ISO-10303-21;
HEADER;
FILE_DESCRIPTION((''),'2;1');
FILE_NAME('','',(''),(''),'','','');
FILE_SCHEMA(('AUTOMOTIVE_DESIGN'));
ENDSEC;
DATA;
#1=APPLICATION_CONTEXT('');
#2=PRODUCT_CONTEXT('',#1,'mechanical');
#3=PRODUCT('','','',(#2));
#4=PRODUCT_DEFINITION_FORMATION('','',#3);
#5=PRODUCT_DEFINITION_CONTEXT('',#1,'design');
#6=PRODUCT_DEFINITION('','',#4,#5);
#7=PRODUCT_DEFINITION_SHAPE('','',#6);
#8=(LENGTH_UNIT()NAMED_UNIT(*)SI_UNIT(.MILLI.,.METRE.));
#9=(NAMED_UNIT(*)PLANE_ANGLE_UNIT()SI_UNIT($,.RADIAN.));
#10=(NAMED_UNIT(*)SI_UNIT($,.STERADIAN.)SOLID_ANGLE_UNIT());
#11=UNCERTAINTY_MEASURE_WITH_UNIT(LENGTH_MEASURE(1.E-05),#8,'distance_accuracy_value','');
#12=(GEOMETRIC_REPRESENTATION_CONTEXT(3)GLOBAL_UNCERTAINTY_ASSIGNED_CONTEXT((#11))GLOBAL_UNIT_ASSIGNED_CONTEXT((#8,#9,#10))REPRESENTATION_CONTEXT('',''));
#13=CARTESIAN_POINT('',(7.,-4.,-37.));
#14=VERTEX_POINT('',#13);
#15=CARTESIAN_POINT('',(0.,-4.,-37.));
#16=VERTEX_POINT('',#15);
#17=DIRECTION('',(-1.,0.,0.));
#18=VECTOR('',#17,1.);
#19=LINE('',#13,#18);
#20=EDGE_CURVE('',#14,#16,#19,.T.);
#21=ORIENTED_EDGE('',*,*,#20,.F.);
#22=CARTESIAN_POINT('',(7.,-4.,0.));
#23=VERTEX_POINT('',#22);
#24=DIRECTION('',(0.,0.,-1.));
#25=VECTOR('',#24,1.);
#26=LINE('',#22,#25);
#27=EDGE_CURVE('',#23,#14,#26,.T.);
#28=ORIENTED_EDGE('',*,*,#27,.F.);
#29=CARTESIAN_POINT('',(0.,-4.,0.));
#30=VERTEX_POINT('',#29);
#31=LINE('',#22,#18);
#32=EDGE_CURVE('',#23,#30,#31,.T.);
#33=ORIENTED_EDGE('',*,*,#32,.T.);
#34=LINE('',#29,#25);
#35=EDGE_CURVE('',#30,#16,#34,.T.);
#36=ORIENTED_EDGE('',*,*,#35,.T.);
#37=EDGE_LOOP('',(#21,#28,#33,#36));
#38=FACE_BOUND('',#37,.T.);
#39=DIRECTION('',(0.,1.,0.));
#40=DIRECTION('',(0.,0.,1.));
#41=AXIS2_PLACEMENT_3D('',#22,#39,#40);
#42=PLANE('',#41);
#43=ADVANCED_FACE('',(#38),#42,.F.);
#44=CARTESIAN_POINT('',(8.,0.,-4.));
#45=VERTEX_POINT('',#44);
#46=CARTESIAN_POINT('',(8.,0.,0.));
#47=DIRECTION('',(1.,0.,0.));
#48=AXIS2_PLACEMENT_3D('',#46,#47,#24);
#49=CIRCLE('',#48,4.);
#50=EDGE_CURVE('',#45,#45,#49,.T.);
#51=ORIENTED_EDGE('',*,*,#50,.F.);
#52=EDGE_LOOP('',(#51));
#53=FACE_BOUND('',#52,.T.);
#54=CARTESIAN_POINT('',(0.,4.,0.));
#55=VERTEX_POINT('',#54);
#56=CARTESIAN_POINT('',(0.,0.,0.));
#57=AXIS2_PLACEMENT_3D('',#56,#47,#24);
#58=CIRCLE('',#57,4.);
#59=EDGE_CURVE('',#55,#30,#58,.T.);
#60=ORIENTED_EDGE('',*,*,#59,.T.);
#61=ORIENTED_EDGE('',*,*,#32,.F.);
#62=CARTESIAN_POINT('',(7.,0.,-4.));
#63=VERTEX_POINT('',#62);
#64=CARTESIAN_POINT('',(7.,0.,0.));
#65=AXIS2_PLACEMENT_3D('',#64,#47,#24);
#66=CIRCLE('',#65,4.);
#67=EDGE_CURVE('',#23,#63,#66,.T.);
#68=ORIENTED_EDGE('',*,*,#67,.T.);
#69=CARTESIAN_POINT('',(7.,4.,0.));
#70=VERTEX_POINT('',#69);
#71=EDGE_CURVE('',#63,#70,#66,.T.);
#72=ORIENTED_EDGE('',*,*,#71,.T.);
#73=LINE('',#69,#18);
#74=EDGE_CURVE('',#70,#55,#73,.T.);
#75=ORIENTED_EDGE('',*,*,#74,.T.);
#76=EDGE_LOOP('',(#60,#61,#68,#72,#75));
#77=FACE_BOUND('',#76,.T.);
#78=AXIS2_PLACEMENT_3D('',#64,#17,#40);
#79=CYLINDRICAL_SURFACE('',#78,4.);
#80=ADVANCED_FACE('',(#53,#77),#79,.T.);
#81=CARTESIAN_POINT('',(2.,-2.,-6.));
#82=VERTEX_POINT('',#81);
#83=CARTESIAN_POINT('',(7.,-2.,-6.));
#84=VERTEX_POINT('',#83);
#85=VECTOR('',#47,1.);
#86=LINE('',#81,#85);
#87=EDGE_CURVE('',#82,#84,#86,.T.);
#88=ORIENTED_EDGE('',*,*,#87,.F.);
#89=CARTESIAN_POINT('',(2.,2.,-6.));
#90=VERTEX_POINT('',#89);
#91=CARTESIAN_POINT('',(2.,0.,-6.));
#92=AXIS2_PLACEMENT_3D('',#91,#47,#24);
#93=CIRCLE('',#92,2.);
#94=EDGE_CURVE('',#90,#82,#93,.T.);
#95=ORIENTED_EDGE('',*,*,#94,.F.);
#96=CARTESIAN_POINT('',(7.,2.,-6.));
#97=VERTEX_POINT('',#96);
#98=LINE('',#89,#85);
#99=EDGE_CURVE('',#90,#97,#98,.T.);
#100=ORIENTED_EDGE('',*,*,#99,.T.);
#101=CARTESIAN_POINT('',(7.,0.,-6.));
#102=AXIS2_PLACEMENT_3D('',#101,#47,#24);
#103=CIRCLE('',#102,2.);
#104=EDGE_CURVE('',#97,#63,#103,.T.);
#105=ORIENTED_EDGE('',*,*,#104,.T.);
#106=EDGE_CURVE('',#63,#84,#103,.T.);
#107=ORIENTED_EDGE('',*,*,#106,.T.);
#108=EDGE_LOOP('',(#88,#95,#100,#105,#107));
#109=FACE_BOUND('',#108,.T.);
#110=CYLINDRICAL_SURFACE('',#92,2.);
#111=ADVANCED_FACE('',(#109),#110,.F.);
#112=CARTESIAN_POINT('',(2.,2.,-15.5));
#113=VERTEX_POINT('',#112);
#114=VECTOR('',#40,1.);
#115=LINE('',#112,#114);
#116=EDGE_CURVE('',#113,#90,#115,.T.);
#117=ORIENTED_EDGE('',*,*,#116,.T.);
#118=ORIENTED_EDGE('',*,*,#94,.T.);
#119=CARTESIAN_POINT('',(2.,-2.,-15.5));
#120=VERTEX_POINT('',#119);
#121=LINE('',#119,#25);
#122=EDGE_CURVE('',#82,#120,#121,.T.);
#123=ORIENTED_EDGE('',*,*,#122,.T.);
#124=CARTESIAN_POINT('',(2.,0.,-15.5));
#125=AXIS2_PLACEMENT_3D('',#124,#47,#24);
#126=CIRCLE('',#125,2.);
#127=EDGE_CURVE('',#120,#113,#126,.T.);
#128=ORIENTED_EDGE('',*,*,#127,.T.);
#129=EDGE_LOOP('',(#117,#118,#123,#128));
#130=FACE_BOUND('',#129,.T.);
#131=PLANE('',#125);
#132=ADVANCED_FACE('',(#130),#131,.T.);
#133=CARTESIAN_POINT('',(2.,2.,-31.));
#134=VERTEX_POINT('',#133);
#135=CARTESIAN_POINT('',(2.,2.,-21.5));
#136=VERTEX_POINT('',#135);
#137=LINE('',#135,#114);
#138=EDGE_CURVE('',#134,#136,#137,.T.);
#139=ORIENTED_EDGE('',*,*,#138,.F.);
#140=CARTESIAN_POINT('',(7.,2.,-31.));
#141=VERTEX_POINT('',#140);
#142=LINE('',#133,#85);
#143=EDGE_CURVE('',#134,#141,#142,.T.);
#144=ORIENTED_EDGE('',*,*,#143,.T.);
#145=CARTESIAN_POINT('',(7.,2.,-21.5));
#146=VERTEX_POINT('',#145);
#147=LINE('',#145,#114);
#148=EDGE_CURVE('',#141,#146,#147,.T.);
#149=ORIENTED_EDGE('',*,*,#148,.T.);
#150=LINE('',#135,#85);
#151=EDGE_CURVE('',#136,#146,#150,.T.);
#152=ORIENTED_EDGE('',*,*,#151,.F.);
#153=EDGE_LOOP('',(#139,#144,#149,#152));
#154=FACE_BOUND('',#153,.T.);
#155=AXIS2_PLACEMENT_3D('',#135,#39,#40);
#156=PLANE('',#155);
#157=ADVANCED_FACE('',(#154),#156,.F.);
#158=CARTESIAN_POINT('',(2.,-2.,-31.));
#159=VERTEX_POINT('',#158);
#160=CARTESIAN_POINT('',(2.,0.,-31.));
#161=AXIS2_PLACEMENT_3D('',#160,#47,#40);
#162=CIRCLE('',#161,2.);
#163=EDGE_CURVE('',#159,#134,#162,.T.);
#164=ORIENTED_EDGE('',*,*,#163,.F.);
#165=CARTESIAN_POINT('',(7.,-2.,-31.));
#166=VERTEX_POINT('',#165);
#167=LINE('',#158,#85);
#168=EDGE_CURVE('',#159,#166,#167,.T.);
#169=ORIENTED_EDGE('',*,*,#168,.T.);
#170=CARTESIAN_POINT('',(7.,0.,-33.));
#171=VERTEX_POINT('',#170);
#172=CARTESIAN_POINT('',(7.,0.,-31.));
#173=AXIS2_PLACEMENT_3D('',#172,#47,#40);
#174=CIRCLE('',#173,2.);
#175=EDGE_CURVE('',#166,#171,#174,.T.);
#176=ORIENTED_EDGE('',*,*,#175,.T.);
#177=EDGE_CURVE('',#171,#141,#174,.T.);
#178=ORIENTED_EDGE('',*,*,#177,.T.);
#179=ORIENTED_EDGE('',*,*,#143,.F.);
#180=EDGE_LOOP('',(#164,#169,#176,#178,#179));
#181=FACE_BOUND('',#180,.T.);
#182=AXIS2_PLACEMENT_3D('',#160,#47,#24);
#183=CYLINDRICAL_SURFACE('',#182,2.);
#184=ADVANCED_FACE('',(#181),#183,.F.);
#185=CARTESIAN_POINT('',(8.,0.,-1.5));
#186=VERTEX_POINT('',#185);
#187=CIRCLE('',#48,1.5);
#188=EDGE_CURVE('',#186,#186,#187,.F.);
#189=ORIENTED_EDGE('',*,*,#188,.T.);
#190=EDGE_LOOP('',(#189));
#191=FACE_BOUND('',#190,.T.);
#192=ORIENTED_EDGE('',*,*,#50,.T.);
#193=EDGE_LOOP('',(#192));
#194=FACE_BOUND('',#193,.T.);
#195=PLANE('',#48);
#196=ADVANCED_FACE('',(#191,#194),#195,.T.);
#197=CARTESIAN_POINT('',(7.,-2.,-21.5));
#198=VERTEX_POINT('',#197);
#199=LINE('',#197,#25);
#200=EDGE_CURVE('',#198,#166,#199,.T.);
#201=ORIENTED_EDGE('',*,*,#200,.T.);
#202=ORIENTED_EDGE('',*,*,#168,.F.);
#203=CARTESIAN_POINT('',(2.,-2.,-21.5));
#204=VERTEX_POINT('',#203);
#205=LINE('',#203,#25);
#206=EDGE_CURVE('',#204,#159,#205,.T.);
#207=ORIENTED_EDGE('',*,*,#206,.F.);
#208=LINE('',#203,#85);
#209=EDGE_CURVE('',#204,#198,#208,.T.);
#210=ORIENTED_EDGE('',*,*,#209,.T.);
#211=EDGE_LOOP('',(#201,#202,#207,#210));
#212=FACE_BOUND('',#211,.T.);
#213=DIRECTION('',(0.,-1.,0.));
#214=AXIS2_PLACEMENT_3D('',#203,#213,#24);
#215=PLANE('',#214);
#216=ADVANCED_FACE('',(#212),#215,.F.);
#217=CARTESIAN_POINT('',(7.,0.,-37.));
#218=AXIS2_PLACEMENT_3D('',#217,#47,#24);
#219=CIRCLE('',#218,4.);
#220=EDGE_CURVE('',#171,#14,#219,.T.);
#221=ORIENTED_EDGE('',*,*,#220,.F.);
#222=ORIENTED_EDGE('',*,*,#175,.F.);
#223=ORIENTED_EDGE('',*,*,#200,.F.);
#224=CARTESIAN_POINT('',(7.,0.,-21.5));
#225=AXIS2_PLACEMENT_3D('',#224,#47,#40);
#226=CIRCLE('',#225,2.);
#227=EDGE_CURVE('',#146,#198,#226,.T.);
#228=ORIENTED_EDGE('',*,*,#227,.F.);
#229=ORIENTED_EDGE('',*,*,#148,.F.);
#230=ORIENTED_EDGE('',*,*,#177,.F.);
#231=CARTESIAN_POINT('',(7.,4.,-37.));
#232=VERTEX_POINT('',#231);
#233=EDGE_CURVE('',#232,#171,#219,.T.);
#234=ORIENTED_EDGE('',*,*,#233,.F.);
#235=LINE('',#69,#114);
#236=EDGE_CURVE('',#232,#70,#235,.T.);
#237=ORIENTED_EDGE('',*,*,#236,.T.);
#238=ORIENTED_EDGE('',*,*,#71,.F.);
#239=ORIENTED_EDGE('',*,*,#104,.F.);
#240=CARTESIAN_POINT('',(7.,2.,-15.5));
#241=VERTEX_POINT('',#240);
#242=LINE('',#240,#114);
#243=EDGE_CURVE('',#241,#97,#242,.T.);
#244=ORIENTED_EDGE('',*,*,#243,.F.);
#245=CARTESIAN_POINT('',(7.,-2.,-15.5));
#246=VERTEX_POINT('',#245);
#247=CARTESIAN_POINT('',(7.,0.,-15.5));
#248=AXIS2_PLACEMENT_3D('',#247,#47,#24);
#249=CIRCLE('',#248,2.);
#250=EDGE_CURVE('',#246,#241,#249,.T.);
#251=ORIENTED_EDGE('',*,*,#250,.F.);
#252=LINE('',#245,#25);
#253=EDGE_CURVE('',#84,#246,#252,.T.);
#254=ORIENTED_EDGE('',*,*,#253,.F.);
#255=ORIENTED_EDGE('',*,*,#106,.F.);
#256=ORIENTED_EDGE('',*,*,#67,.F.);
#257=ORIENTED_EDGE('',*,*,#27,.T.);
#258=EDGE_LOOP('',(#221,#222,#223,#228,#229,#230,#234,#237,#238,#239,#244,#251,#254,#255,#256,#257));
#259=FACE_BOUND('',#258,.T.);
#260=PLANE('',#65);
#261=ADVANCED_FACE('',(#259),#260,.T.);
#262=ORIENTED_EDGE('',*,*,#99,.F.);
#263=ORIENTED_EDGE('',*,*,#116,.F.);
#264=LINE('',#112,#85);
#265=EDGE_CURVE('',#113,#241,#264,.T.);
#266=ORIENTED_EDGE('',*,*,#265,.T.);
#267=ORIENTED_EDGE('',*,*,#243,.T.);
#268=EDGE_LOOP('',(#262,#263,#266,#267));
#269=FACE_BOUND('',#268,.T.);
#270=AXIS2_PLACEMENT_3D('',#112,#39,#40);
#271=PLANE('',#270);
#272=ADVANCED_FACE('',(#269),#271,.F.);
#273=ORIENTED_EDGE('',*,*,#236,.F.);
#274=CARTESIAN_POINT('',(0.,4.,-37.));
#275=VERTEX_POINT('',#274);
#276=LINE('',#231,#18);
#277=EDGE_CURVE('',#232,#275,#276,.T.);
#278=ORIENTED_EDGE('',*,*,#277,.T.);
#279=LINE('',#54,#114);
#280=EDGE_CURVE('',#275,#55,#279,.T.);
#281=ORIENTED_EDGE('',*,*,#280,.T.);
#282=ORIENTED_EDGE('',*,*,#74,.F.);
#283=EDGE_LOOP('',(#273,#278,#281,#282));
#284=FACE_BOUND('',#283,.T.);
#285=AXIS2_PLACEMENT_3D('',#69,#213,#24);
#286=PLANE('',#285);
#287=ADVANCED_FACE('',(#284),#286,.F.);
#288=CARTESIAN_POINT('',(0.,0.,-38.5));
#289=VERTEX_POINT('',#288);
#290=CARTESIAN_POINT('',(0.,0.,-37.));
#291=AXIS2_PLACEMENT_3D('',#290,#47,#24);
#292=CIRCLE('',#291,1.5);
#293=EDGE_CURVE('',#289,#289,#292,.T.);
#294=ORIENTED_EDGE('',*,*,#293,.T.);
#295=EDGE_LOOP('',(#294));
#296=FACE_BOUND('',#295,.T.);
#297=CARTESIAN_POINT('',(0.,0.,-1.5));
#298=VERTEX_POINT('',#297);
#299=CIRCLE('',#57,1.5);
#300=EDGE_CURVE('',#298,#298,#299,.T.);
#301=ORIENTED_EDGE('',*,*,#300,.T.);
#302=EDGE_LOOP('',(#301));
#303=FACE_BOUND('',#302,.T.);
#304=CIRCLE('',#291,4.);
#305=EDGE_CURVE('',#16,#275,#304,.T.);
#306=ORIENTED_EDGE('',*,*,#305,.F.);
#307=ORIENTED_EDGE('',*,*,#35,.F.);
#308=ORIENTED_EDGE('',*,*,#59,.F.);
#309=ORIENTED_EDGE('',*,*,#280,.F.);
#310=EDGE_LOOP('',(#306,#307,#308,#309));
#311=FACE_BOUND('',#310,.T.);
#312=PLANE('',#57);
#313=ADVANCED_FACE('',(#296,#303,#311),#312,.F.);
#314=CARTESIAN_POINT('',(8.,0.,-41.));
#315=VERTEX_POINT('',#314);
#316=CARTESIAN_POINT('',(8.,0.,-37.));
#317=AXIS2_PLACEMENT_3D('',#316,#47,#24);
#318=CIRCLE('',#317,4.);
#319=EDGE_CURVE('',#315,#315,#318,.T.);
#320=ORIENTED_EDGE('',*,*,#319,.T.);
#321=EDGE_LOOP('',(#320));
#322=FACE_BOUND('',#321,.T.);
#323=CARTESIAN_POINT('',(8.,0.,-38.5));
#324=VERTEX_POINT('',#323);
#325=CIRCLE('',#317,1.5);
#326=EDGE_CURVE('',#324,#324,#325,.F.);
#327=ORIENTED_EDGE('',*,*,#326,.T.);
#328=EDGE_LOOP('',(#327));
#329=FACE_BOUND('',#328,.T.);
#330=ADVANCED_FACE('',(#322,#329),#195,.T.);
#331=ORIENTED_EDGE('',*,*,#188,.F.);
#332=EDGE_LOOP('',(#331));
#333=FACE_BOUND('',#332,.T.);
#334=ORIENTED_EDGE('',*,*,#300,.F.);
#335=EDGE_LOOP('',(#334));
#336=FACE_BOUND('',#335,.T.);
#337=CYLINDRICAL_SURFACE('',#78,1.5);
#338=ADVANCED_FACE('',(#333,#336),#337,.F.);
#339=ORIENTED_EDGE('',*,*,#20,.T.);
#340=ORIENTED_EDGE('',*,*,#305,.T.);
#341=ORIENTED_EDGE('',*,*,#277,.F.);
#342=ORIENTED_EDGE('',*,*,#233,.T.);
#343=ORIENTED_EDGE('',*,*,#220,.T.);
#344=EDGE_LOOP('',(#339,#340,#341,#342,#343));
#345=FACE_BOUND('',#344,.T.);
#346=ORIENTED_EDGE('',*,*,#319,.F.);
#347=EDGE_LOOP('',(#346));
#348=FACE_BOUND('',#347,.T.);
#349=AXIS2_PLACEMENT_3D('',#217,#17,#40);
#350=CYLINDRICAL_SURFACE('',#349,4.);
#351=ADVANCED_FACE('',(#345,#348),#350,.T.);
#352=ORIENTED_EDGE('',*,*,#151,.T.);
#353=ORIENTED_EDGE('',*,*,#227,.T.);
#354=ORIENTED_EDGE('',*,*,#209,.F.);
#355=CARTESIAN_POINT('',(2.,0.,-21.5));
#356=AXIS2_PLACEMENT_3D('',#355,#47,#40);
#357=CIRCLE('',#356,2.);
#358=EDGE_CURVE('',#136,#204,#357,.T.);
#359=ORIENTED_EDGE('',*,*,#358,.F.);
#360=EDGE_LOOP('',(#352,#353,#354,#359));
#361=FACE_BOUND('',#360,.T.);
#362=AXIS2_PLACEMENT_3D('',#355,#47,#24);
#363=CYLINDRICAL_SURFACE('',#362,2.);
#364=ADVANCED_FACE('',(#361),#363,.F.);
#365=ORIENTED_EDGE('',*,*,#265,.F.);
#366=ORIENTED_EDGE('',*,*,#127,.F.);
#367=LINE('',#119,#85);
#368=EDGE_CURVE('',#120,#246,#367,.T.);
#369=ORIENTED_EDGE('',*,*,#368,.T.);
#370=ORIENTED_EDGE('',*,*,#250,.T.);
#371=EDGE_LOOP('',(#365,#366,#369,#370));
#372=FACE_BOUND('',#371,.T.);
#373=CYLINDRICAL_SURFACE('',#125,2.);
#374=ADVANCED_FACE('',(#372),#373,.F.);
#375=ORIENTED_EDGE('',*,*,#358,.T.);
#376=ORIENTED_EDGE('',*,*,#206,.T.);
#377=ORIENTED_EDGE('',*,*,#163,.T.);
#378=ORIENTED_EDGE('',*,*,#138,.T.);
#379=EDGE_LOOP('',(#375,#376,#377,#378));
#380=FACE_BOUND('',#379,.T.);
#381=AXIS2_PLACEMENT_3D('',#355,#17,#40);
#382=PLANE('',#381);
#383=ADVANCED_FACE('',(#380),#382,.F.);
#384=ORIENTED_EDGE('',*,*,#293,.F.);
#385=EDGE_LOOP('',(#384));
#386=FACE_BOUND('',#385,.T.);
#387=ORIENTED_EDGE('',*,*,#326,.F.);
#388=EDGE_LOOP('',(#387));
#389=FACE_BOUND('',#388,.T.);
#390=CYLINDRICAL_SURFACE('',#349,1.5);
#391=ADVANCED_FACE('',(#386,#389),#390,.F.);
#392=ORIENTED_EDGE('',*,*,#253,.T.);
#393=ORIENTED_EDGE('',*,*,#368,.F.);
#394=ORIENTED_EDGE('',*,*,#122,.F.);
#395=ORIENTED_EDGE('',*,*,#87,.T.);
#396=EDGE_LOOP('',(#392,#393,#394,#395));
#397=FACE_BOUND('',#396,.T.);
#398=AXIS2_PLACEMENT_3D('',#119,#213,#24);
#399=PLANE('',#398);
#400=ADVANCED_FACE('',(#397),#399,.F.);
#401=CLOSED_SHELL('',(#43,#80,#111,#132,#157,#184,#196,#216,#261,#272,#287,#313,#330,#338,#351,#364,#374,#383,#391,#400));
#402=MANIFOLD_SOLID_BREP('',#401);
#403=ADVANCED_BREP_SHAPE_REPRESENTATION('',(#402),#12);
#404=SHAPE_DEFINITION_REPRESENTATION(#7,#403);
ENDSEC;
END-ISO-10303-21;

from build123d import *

# Parameters (mm, degrees)
SKETCH_2_R          = 1.5
EXTRUDE_1_DEPTH     = 7
CUT_EXTRUDE_1_DEPTH = 5
SKETCH_4_R          = 1.5
EXTRUDE_2_DEPTH     = 1


with BuildPart() as part:
    # 草图2 → 凸台-拉伸1 (new body)
    with BuildSketch(Plane(origin=(0, 0, 0), x_dir=(0, 0, -1), z_dir=(1, 0, 0))):
        with BuildLine():
            Line((0, 4), (37, 4))
            ThreePointArc((37, 4), (41, 0), (37, -4))
            Line((37, -4), (0, -4))
            ThreePointArc((0, -4), (-4, 0), (0, 4))
        make_face()
        Circle(SKETCH_2_R, mode=Mode.SUBTRACT)
        with Locations((37, 0)):
            Circle(SKETCH_2_R, mode=Mode.SUBTRACT)
    extrude(amount=EXTRUDE_1_DEPTH)

    # 草图3 → 切除-拉伸1 (cut)
    with BuildSketch(Plane(origin=(7, 0, 0), x_dir=(0, 0, -1), z_dir=(1, 0, 0))):
        with BuildLine():
            Line((15.5, -2), (6, -2))
            ThreePointArc((6, -2), (4, 0), (6, 2))
            Line((6, 2), (15.5, 2))
            ThreePointArc((15.5, 2), (17.5, 0), (15.5, -2))
        make_face()
        with BuildLine():
            Line((21.5, -2), (31, -2))
            ThreePointArc((31, -2), (33, 0), (31, 2))
            Line((31, 2), (21.5, 2))
            ThreePointArc((21.5, 2), (19.5, 0), (21.5, -2))
        make_face()
    extrude(amount=-CUT_EXTRUDE_1_DEPTH, mode=Mode.SUBTRACT)

    # 草图4 → 凸台-拉伸2 (add)
    # profile 1 of 2: a face of its own
    with BuildSketch(Plane(origin=(7, 0, 0), x_dir=(0, 0, -1), z_dir=(1, 0, 0))):
        with BuildLine():
            ThreePointArc((37, -4), (39.828427125, -2.828427125), (41, 0))
            ThreePointArc((41, 0), (39.828427125, 2.828427125), (37, 4))
            ThreePointArc((37, 4), (33, 0), (37, -4))
        make_face()
        with Locations((37, 0)):
            Circle(SKETCH_4_R, mode=Mode.SUBTRACT)
    # profile 2 of 2: a face of its own
    with BuildSketch(Plane(origin=(7, 0, 0), x_dir=(0, 0, -1), z_dir=(1, 0, 0))):
        with BuildLine():
            ThreePointArc((0, -4), (2.828427125, -2.828427125), (4, 0))
            ThreePointArc((4, 0), (2.828427125, 2.828427125), (0, 4))
            ThreePointArc((0, 4), (-4, 0), (0, -4))
        make_face()
        Circle(SKETCH_4_R, mode=Mode.SUBTRACT)
    extrude(amount=EXTRUDE_2_DEPTH)


solid = part.part
